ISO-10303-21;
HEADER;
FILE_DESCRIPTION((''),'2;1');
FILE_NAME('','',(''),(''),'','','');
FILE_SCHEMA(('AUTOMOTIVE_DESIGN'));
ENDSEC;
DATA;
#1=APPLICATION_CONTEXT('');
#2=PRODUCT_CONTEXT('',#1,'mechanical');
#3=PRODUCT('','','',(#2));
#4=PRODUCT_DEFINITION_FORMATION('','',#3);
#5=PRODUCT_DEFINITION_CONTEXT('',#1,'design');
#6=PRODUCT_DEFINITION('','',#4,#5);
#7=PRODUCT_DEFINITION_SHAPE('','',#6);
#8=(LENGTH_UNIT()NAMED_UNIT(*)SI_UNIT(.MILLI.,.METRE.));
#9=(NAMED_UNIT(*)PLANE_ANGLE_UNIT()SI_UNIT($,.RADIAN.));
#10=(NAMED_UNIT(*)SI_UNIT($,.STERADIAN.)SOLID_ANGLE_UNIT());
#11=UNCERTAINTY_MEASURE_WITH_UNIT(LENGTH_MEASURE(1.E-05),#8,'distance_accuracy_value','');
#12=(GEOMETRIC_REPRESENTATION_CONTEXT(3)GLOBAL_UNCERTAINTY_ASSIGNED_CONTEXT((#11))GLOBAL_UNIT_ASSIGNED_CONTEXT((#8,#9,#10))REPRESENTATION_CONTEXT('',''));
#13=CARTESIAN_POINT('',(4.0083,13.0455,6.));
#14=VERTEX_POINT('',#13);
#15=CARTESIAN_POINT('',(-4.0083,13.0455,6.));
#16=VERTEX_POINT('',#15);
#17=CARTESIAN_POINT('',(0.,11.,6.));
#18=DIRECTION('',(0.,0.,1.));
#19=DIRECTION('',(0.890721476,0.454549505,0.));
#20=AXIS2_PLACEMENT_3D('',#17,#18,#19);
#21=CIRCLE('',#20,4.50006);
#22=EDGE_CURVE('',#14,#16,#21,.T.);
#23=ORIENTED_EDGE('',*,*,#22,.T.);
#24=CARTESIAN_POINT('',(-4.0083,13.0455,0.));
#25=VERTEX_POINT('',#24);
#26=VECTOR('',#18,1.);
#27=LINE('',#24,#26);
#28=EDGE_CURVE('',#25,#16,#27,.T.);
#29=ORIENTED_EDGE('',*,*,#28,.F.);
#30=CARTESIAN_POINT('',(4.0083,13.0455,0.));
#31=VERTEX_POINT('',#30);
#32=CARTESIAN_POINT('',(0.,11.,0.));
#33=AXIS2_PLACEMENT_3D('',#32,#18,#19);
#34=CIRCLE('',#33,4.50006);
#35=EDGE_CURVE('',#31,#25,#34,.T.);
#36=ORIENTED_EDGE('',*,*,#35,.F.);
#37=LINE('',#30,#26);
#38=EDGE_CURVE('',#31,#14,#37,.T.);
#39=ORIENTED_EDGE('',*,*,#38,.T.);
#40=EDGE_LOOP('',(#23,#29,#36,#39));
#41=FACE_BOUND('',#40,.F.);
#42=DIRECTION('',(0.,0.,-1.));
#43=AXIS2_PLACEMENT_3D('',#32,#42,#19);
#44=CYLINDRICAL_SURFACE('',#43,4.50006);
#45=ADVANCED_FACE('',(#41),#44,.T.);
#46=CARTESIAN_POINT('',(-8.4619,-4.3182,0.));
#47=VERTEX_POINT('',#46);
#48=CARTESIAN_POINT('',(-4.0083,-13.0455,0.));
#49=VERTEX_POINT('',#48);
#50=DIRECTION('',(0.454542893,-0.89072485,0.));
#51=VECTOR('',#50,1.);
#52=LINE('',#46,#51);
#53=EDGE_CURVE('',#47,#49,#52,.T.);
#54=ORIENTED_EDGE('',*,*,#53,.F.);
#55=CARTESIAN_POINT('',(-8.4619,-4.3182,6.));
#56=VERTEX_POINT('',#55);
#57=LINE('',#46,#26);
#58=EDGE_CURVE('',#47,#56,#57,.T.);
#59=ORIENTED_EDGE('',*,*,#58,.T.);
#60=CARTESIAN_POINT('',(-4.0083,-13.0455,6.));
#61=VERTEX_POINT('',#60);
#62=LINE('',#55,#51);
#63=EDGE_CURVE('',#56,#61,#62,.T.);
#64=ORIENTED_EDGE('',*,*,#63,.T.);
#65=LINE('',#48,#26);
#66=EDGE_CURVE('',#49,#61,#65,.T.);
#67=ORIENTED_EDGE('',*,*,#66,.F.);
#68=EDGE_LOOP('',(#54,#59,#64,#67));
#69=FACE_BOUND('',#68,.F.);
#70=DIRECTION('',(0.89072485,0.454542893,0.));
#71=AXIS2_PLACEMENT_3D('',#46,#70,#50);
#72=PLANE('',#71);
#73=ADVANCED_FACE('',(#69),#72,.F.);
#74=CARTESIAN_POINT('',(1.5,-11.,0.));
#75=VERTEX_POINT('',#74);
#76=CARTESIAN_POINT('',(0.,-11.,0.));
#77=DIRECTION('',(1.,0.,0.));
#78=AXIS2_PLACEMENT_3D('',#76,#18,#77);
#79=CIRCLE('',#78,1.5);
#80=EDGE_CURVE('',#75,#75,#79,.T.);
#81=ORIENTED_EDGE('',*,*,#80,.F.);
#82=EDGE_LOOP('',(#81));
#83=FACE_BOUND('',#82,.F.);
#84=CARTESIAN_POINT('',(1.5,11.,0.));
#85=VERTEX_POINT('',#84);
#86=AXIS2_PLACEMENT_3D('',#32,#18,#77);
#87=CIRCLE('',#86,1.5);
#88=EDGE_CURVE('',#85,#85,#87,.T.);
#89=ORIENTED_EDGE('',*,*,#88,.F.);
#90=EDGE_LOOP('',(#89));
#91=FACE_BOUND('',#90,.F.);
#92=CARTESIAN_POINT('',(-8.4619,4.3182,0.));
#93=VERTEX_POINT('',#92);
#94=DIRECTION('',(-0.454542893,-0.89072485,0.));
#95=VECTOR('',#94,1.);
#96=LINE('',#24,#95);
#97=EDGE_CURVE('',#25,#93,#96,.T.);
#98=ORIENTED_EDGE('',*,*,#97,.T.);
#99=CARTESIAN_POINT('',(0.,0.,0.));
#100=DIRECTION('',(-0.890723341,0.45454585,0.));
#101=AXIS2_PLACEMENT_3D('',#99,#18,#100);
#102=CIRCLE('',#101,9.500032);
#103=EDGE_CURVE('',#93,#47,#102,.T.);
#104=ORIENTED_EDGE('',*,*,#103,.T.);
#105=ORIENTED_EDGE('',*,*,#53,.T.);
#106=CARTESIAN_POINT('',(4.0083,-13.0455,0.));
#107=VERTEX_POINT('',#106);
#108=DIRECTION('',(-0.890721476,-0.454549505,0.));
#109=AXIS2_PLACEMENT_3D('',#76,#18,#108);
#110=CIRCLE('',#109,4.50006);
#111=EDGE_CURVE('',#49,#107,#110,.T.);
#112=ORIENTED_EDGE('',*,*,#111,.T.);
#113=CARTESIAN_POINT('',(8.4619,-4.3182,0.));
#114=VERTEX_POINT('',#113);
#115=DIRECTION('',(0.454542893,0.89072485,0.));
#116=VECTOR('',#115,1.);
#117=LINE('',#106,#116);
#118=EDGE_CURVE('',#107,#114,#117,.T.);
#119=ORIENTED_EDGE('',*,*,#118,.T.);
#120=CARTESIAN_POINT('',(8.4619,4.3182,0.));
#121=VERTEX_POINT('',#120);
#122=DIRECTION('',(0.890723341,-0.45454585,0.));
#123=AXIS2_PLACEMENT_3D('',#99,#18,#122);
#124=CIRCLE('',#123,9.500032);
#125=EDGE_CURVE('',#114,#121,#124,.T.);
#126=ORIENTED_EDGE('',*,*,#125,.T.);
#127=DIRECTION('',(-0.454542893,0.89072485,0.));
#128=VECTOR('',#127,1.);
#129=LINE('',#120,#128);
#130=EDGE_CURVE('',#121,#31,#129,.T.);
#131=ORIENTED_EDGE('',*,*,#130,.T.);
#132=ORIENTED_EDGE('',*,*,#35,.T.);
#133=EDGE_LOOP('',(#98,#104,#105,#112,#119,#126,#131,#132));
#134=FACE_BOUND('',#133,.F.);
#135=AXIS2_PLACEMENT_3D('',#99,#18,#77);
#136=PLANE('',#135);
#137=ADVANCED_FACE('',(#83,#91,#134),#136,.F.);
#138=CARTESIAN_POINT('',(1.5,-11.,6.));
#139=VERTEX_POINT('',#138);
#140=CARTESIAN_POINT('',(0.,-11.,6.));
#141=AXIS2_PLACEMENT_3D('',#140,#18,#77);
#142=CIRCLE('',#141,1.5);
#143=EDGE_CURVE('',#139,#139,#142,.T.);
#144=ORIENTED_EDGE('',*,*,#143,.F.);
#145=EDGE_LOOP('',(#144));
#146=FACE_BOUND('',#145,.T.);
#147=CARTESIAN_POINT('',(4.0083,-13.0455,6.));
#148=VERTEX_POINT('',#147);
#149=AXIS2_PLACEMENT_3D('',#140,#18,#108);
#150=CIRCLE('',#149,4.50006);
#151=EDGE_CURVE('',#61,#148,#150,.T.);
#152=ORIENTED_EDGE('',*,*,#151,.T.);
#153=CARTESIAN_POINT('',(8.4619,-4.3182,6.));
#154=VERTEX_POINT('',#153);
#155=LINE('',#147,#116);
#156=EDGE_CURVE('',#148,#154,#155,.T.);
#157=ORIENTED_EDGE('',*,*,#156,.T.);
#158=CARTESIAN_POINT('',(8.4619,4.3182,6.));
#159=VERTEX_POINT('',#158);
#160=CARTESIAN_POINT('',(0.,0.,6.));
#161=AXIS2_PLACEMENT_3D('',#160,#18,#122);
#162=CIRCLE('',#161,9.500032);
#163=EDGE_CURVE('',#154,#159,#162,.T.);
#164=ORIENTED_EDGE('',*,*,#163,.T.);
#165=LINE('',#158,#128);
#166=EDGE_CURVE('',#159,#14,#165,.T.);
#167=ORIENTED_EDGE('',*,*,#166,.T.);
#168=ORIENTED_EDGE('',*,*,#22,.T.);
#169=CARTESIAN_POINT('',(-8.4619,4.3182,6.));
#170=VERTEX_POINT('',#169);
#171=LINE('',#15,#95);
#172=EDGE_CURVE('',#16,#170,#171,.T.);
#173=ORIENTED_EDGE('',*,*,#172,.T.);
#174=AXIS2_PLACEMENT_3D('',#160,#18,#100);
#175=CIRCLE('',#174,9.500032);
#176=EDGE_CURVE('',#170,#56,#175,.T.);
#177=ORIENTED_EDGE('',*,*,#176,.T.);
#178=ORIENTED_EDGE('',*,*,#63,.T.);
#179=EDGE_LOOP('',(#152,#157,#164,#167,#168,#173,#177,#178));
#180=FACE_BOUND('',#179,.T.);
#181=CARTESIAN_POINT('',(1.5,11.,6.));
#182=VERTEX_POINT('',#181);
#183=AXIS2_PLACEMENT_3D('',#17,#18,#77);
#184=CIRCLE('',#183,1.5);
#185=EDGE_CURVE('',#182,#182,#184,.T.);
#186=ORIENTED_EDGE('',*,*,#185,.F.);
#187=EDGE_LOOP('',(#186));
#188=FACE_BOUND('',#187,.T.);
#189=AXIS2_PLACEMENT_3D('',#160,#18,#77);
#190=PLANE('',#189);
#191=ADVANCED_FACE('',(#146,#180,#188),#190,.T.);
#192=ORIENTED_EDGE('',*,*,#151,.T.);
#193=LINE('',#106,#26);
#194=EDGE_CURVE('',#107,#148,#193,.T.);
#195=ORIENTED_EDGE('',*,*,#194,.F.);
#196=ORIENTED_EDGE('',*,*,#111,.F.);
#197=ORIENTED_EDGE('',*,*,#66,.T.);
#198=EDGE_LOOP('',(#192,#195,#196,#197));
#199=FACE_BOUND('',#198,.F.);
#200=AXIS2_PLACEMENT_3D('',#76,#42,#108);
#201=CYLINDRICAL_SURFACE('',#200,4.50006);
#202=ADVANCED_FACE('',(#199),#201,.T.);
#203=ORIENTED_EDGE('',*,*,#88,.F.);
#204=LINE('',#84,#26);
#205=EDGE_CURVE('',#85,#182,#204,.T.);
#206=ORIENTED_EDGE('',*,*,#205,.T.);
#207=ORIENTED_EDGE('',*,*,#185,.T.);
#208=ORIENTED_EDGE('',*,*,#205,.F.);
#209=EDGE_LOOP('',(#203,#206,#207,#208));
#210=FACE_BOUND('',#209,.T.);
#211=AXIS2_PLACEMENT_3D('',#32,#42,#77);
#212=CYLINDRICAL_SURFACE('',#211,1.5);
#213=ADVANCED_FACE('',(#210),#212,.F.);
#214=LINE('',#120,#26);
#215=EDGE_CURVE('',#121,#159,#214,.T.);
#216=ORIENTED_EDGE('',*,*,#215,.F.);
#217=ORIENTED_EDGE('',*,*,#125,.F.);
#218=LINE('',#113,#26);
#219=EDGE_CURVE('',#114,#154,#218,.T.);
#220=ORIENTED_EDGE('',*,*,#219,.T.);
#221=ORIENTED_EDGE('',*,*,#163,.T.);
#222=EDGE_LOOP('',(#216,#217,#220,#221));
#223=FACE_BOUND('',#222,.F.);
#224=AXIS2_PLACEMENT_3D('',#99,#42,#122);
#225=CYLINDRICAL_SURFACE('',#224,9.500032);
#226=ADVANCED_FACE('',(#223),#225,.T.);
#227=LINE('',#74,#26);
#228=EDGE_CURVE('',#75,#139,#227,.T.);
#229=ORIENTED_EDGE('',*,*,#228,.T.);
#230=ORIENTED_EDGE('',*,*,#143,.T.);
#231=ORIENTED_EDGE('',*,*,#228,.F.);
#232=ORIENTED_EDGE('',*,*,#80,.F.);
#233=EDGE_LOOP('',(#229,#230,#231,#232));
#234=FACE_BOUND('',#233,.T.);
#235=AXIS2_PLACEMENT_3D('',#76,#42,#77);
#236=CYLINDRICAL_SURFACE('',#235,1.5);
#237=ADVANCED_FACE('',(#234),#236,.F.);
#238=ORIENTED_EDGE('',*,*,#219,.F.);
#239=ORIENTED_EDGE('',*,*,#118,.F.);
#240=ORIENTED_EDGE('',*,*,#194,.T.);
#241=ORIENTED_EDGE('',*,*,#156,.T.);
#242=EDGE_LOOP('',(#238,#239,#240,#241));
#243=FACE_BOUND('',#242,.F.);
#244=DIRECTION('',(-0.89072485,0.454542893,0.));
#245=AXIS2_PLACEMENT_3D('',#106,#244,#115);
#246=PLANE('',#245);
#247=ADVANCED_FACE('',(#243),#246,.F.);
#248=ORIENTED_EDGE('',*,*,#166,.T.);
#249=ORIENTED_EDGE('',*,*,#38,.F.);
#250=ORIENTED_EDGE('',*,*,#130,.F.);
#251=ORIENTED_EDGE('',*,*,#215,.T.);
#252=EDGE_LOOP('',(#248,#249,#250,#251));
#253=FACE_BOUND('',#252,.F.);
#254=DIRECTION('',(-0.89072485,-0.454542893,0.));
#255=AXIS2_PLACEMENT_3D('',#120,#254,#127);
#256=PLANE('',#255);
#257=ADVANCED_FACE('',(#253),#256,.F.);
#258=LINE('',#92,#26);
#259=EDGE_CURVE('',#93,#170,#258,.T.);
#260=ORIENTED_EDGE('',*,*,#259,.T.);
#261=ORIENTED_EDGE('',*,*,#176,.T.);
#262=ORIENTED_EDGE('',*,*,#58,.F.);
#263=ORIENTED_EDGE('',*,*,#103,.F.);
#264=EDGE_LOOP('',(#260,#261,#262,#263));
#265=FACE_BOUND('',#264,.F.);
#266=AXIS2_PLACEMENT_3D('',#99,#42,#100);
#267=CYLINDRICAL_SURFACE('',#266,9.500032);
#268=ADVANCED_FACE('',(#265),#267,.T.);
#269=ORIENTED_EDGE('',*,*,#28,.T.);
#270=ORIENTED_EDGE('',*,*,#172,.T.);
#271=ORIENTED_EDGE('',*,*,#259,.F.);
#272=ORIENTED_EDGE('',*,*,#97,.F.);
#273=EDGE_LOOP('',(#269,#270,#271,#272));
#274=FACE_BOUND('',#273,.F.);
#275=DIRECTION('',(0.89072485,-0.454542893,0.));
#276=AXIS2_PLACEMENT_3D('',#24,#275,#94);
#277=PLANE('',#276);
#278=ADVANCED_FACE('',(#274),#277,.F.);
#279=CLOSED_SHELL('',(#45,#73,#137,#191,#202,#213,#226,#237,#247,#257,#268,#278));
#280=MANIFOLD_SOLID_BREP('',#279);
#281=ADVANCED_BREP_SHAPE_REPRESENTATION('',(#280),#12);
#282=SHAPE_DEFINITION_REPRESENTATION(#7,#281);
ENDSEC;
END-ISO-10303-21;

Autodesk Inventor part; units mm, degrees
ref_plane "YZ Plane" through (0, 0, 0) normal (1, 0, 0) x (0, 1, 0)
ref_plane "XZ Plane" through (0, 0, 0) normal (0, 1, 0) x (-1, 0, 0)
ref_plane "XY Plane" through (0, 0, 0) normal (0, 0, 1) x (1, 0, 0)
sketch "Sketch1" plane through (0, 0, 0) normal (0, 0, 1) x (1, 0, 0)
  line L0 (-8.4619, -4.3182) -> (-4.0083, -13.0455)
  arc A0 (-4.0083, -13.0455) -> (4.0083, -13.0455) centre (0, -11) ccw
  line L1 (4.0083, -13.0455) -> (8.4619, -4.3182)
  arc A1 (8.4619, -4.3182) -> (8.4619, 4.3182) centre (0, 0) ccw
  line L2 (8.4619, 4.3182) -> (4.0083, 13.0455)
  arc A2 (4.0083, 13.0455) -> (-4.0083, 13.0455) centre (0, 11) ccw
  line L3 (-4.0083, 13.0455) -> (-8.4619, 4.3182)
  arc A3 (-8.4619, 4.3182) -> (-8.4619, -4.3182) centre (0, 0) ccw
  circle A4 centre (0, 11) radius 1.5
  circle A5 centre (0, -11) radius 1.5
  point P0 (0, 0)
extrude "Extrusion1" add sketch "Sketch1" along normal blind 6
properties part number "shaftPlug22"
